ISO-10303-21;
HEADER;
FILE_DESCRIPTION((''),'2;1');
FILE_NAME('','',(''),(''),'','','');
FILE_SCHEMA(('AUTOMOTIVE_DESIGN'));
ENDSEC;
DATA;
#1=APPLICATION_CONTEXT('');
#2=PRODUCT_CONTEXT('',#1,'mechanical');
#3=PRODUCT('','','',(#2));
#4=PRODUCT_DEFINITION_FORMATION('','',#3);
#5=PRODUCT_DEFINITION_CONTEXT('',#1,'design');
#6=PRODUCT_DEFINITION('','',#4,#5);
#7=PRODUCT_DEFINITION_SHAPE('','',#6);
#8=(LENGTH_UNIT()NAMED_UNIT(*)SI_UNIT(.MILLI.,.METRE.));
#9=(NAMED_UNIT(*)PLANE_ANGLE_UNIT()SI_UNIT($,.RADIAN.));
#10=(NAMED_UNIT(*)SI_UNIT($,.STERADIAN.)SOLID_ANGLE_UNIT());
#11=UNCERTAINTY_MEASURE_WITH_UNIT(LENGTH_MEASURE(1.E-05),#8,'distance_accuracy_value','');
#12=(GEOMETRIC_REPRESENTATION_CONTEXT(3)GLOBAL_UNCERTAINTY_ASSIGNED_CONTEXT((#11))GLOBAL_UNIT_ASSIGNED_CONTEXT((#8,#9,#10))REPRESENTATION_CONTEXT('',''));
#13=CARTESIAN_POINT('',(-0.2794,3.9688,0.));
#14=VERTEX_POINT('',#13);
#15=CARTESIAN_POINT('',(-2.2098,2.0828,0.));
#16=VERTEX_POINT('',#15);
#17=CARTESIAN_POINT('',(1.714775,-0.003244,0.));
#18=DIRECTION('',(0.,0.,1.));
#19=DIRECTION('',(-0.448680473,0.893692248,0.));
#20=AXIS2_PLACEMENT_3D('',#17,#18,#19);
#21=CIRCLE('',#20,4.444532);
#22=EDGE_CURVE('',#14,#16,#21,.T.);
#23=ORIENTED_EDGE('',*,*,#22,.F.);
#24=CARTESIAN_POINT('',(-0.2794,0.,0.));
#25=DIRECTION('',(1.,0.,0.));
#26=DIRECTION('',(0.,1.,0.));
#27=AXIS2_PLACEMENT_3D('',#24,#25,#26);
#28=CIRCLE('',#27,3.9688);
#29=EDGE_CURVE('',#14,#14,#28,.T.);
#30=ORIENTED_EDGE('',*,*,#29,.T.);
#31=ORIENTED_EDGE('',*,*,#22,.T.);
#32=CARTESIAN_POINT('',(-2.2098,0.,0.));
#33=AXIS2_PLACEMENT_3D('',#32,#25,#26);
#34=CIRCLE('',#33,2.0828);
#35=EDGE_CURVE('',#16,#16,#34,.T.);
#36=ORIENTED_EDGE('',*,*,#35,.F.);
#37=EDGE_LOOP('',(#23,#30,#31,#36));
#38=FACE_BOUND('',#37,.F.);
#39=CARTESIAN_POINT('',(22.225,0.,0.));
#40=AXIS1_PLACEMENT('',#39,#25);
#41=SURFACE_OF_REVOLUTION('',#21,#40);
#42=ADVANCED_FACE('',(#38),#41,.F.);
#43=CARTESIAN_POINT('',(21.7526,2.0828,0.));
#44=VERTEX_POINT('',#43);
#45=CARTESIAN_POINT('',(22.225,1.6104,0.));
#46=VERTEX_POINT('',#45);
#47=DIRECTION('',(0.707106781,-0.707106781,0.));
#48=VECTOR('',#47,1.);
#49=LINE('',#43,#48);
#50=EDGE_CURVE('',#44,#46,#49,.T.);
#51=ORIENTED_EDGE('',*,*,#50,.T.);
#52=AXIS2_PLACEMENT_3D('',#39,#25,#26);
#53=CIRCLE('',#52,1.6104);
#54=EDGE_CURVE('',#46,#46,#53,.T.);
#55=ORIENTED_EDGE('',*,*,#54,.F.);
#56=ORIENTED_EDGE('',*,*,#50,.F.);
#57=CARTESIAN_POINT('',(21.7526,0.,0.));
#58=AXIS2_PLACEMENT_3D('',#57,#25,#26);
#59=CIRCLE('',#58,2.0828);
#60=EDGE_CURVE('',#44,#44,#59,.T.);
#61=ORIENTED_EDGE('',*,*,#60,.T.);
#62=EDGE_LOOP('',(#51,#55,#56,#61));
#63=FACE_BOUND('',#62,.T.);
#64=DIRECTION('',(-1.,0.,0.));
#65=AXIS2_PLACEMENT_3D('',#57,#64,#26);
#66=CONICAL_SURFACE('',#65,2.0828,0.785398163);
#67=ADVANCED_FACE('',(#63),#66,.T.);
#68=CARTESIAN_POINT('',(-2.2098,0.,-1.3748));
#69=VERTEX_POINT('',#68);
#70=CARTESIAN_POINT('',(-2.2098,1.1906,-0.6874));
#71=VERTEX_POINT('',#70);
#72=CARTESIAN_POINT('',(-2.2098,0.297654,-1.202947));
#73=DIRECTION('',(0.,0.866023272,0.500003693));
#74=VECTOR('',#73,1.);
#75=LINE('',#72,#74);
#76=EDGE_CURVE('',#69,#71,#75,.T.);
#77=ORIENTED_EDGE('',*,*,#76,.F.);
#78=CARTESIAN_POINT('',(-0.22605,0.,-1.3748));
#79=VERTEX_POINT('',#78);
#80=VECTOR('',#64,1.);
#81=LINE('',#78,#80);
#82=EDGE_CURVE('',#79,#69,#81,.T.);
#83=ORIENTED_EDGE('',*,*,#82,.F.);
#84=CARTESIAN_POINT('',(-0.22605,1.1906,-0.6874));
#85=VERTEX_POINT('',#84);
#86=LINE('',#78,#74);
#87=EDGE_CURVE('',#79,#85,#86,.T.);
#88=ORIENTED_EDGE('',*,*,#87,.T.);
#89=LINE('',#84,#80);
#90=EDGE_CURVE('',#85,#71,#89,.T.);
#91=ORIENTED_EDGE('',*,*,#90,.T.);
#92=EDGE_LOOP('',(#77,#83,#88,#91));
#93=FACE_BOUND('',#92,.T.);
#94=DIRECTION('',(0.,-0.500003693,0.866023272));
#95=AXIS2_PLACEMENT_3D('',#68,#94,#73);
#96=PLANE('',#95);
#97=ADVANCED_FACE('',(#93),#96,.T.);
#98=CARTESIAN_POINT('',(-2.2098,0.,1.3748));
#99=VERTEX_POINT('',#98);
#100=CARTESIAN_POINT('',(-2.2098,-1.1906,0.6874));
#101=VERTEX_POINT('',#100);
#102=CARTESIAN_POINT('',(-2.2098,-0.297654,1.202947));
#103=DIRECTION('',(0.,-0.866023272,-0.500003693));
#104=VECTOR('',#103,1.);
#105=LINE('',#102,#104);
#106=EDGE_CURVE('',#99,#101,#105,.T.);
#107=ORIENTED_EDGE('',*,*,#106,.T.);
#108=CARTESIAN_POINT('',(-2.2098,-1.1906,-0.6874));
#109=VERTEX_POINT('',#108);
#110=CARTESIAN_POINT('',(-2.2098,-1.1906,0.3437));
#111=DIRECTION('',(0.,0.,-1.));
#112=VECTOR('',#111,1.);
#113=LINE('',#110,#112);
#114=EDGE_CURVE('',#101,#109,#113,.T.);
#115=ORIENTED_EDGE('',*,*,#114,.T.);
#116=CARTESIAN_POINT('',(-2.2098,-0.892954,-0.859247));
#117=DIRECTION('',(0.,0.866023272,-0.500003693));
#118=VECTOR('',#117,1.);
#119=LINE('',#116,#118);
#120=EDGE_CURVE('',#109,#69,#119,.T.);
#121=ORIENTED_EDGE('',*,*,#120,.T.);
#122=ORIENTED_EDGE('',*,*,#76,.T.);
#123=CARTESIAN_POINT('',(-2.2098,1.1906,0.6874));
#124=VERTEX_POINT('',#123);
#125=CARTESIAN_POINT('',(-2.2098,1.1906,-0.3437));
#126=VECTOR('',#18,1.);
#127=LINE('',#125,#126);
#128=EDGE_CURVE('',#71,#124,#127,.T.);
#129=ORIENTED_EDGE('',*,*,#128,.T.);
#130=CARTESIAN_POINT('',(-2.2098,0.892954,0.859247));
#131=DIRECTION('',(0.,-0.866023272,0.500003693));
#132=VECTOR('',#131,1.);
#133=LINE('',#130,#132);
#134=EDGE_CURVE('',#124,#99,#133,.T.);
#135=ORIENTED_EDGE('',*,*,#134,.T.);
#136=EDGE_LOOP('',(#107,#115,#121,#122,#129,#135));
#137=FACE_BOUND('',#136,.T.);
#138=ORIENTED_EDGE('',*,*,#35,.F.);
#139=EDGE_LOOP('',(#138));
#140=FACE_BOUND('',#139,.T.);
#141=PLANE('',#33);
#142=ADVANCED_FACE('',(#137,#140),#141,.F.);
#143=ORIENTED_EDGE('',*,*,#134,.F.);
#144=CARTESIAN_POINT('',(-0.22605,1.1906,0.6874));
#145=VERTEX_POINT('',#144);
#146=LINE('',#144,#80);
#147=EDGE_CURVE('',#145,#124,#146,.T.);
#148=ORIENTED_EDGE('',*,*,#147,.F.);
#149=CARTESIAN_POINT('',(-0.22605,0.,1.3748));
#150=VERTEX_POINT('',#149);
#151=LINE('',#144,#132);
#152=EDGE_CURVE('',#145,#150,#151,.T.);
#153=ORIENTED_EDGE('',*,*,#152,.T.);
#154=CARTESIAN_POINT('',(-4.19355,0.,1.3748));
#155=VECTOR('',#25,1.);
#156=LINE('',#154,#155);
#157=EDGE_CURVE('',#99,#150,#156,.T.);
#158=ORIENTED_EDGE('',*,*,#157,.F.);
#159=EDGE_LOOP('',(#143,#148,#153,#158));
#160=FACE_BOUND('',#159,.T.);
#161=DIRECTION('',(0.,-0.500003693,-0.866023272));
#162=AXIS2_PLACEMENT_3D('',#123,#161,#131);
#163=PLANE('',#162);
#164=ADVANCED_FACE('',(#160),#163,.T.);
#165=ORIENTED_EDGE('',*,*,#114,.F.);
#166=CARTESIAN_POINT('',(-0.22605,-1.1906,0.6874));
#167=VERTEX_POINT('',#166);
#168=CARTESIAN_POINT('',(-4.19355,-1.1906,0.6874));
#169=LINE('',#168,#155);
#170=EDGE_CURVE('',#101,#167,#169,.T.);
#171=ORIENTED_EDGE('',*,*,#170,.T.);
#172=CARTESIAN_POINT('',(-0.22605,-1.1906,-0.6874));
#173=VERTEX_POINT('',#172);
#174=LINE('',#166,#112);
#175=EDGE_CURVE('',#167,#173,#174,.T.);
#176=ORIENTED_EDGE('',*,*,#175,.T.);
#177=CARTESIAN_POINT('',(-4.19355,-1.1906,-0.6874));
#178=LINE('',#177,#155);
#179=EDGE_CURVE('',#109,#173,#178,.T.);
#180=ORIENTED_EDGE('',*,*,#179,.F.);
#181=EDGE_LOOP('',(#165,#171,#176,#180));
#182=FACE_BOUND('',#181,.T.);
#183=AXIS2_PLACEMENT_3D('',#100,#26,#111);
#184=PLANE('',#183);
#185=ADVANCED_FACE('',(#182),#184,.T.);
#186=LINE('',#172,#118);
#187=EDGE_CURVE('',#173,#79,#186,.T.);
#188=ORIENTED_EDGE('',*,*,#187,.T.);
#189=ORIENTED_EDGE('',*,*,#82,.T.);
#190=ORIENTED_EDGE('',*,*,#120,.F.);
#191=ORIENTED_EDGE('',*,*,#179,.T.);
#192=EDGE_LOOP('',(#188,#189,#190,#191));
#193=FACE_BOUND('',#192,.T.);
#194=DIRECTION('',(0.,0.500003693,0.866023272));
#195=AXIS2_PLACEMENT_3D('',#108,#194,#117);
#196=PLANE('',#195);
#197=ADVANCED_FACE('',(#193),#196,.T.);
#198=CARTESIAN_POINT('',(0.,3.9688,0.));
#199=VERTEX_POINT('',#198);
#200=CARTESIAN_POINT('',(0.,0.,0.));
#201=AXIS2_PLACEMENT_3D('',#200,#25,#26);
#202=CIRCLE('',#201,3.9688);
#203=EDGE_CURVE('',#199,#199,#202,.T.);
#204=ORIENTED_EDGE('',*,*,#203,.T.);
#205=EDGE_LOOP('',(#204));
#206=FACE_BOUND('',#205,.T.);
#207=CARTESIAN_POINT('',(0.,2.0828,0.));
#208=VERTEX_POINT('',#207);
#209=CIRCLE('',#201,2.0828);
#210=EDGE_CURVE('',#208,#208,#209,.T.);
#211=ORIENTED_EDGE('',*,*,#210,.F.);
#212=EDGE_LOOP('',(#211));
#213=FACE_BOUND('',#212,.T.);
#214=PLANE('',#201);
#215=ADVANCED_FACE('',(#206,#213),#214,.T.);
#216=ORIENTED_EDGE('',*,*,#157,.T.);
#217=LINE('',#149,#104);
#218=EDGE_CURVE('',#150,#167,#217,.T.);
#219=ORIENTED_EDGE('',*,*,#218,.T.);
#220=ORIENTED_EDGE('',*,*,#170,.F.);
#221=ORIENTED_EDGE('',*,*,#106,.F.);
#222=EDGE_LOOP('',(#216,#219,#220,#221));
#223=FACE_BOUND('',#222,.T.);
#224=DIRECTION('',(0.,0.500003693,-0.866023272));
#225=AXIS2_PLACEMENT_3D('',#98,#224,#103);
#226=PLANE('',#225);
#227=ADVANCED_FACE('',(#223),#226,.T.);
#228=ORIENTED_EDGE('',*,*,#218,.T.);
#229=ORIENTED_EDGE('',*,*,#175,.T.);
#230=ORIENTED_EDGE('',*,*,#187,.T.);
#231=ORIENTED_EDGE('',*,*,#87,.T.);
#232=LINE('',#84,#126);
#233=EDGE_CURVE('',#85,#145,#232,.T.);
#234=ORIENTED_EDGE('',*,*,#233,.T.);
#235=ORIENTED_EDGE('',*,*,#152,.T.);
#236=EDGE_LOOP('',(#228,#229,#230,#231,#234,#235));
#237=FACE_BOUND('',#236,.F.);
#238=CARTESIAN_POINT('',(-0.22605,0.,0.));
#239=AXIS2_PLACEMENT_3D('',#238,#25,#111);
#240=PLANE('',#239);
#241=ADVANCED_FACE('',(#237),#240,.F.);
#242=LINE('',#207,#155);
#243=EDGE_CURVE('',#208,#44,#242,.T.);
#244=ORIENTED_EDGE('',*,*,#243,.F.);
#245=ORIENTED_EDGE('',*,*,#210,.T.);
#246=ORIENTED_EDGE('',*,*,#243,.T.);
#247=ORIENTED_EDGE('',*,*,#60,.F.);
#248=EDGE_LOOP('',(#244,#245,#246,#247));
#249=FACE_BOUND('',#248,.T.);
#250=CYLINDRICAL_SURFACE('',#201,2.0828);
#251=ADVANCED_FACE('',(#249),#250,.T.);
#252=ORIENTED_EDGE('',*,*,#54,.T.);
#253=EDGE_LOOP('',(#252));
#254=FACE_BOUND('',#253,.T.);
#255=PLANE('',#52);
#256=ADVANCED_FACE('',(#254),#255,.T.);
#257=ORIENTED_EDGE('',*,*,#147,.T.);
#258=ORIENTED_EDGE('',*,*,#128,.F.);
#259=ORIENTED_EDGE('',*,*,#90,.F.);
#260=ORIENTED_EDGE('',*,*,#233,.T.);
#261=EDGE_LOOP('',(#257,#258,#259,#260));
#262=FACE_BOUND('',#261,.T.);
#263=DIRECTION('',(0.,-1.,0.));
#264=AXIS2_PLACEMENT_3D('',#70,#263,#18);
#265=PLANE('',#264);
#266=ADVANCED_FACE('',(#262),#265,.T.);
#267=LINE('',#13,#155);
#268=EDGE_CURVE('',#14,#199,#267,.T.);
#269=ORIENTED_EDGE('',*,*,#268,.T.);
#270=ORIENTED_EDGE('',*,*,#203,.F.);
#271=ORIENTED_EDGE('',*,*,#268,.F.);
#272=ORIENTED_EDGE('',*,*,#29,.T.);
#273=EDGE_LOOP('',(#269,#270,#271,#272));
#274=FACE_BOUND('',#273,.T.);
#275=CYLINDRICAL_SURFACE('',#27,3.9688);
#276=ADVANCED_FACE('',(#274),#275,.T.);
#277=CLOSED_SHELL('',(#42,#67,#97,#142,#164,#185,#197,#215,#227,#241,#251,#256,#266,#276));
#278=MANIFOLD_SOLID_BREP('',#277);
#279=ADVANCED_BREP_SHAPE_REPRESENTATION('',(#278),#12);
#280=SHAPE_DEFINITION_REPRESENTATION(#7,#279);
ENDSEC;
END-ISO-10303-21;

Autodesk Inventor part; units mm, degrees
sketch "Sketch_1" plane through (0, 0, 0) normal (0, 0, 1) x (1, 0, 0)
  line L0 (22.225, 0) -> (-2.2098, 0)
  line L1 (-2.2098, 0) -> (-2.2098, 2.0828)
  arc A0 (-0.2794, 3.9688) -> (-2.2098, 2.0828) centre (1.7151, -0.0037) ccw
  line L2 (-0.2794, 3.9688) -> (0, 3.9688)
  line L3 (0, 3.9688) -> (0, 2.0828)
  line L4 (0, 2.0828) -> (21.7526, 2.0828)
  line L5 (21.7526, 2.0828) -> (22.225, 1.6104)
  line L6 (22.225, 1.6104) -> (22.225, 0)
  line L7 (22.225, 0) -> (-2.2098, 0)
revolve "Revolution1" add sketch "Sketch_1" angle 360 about axis through (22.225, 0, 0) along (1, 0, 0)
thread "Thread1" size "8-32 UNC" class "2A" standard "ANSI Unified Screw Threads" length 21.4067 offset 0.8183
sketch "Sketch_3" plane through (-2.2098, 0, 0) normal (1, 0, 0) x (0, 0, -1)
  line L0 (-1.3748, 0) -> (-0.6874, -1.1906)
  line L1 (-0.6874, -1.1906) -> (0.6874, -1.1906)
  line L2 (0.6874, -1.1906) -> (1.3748, 0)
  line L3 (1.3748, 0) -> (0.6874, 1.1906)
  line L4 (0.6874, 1.1906) -> (-0.6874, 1.1906)
  line L5 (-0.6874, 1.1906) -> (-1.3748, 0)
extrude "Extrusion1" cut sketch "Sketch_3" along normal mid plane 3.9675
ref_plane "screw_XY" through (0, 0, 0) normal (1, 0, 0) x (0, 0, -1)
ref_plane "screw_YZ" through (0, 0, 0) normal (0, 0, -1) x (0, 1, 0)
ref_plane "screw_ZX" through (0, 0, 0) normal (0, 1, 0) x (1, 0, 0)
ref_plane "to_nut_XY" through (22.225, 0, 0) normal (1, 0, 0) x (0, 0, -1)
ref_plane "to_nut_YZ" through (22.225, 0, 0) normal (0, 0, -1) x (0, 1, 0)
ref_plane "to_nut_ZX" through (22.225, 0, 0) normal (0, 1, 0) x (1, 0, 0)
properties part number "3032"
